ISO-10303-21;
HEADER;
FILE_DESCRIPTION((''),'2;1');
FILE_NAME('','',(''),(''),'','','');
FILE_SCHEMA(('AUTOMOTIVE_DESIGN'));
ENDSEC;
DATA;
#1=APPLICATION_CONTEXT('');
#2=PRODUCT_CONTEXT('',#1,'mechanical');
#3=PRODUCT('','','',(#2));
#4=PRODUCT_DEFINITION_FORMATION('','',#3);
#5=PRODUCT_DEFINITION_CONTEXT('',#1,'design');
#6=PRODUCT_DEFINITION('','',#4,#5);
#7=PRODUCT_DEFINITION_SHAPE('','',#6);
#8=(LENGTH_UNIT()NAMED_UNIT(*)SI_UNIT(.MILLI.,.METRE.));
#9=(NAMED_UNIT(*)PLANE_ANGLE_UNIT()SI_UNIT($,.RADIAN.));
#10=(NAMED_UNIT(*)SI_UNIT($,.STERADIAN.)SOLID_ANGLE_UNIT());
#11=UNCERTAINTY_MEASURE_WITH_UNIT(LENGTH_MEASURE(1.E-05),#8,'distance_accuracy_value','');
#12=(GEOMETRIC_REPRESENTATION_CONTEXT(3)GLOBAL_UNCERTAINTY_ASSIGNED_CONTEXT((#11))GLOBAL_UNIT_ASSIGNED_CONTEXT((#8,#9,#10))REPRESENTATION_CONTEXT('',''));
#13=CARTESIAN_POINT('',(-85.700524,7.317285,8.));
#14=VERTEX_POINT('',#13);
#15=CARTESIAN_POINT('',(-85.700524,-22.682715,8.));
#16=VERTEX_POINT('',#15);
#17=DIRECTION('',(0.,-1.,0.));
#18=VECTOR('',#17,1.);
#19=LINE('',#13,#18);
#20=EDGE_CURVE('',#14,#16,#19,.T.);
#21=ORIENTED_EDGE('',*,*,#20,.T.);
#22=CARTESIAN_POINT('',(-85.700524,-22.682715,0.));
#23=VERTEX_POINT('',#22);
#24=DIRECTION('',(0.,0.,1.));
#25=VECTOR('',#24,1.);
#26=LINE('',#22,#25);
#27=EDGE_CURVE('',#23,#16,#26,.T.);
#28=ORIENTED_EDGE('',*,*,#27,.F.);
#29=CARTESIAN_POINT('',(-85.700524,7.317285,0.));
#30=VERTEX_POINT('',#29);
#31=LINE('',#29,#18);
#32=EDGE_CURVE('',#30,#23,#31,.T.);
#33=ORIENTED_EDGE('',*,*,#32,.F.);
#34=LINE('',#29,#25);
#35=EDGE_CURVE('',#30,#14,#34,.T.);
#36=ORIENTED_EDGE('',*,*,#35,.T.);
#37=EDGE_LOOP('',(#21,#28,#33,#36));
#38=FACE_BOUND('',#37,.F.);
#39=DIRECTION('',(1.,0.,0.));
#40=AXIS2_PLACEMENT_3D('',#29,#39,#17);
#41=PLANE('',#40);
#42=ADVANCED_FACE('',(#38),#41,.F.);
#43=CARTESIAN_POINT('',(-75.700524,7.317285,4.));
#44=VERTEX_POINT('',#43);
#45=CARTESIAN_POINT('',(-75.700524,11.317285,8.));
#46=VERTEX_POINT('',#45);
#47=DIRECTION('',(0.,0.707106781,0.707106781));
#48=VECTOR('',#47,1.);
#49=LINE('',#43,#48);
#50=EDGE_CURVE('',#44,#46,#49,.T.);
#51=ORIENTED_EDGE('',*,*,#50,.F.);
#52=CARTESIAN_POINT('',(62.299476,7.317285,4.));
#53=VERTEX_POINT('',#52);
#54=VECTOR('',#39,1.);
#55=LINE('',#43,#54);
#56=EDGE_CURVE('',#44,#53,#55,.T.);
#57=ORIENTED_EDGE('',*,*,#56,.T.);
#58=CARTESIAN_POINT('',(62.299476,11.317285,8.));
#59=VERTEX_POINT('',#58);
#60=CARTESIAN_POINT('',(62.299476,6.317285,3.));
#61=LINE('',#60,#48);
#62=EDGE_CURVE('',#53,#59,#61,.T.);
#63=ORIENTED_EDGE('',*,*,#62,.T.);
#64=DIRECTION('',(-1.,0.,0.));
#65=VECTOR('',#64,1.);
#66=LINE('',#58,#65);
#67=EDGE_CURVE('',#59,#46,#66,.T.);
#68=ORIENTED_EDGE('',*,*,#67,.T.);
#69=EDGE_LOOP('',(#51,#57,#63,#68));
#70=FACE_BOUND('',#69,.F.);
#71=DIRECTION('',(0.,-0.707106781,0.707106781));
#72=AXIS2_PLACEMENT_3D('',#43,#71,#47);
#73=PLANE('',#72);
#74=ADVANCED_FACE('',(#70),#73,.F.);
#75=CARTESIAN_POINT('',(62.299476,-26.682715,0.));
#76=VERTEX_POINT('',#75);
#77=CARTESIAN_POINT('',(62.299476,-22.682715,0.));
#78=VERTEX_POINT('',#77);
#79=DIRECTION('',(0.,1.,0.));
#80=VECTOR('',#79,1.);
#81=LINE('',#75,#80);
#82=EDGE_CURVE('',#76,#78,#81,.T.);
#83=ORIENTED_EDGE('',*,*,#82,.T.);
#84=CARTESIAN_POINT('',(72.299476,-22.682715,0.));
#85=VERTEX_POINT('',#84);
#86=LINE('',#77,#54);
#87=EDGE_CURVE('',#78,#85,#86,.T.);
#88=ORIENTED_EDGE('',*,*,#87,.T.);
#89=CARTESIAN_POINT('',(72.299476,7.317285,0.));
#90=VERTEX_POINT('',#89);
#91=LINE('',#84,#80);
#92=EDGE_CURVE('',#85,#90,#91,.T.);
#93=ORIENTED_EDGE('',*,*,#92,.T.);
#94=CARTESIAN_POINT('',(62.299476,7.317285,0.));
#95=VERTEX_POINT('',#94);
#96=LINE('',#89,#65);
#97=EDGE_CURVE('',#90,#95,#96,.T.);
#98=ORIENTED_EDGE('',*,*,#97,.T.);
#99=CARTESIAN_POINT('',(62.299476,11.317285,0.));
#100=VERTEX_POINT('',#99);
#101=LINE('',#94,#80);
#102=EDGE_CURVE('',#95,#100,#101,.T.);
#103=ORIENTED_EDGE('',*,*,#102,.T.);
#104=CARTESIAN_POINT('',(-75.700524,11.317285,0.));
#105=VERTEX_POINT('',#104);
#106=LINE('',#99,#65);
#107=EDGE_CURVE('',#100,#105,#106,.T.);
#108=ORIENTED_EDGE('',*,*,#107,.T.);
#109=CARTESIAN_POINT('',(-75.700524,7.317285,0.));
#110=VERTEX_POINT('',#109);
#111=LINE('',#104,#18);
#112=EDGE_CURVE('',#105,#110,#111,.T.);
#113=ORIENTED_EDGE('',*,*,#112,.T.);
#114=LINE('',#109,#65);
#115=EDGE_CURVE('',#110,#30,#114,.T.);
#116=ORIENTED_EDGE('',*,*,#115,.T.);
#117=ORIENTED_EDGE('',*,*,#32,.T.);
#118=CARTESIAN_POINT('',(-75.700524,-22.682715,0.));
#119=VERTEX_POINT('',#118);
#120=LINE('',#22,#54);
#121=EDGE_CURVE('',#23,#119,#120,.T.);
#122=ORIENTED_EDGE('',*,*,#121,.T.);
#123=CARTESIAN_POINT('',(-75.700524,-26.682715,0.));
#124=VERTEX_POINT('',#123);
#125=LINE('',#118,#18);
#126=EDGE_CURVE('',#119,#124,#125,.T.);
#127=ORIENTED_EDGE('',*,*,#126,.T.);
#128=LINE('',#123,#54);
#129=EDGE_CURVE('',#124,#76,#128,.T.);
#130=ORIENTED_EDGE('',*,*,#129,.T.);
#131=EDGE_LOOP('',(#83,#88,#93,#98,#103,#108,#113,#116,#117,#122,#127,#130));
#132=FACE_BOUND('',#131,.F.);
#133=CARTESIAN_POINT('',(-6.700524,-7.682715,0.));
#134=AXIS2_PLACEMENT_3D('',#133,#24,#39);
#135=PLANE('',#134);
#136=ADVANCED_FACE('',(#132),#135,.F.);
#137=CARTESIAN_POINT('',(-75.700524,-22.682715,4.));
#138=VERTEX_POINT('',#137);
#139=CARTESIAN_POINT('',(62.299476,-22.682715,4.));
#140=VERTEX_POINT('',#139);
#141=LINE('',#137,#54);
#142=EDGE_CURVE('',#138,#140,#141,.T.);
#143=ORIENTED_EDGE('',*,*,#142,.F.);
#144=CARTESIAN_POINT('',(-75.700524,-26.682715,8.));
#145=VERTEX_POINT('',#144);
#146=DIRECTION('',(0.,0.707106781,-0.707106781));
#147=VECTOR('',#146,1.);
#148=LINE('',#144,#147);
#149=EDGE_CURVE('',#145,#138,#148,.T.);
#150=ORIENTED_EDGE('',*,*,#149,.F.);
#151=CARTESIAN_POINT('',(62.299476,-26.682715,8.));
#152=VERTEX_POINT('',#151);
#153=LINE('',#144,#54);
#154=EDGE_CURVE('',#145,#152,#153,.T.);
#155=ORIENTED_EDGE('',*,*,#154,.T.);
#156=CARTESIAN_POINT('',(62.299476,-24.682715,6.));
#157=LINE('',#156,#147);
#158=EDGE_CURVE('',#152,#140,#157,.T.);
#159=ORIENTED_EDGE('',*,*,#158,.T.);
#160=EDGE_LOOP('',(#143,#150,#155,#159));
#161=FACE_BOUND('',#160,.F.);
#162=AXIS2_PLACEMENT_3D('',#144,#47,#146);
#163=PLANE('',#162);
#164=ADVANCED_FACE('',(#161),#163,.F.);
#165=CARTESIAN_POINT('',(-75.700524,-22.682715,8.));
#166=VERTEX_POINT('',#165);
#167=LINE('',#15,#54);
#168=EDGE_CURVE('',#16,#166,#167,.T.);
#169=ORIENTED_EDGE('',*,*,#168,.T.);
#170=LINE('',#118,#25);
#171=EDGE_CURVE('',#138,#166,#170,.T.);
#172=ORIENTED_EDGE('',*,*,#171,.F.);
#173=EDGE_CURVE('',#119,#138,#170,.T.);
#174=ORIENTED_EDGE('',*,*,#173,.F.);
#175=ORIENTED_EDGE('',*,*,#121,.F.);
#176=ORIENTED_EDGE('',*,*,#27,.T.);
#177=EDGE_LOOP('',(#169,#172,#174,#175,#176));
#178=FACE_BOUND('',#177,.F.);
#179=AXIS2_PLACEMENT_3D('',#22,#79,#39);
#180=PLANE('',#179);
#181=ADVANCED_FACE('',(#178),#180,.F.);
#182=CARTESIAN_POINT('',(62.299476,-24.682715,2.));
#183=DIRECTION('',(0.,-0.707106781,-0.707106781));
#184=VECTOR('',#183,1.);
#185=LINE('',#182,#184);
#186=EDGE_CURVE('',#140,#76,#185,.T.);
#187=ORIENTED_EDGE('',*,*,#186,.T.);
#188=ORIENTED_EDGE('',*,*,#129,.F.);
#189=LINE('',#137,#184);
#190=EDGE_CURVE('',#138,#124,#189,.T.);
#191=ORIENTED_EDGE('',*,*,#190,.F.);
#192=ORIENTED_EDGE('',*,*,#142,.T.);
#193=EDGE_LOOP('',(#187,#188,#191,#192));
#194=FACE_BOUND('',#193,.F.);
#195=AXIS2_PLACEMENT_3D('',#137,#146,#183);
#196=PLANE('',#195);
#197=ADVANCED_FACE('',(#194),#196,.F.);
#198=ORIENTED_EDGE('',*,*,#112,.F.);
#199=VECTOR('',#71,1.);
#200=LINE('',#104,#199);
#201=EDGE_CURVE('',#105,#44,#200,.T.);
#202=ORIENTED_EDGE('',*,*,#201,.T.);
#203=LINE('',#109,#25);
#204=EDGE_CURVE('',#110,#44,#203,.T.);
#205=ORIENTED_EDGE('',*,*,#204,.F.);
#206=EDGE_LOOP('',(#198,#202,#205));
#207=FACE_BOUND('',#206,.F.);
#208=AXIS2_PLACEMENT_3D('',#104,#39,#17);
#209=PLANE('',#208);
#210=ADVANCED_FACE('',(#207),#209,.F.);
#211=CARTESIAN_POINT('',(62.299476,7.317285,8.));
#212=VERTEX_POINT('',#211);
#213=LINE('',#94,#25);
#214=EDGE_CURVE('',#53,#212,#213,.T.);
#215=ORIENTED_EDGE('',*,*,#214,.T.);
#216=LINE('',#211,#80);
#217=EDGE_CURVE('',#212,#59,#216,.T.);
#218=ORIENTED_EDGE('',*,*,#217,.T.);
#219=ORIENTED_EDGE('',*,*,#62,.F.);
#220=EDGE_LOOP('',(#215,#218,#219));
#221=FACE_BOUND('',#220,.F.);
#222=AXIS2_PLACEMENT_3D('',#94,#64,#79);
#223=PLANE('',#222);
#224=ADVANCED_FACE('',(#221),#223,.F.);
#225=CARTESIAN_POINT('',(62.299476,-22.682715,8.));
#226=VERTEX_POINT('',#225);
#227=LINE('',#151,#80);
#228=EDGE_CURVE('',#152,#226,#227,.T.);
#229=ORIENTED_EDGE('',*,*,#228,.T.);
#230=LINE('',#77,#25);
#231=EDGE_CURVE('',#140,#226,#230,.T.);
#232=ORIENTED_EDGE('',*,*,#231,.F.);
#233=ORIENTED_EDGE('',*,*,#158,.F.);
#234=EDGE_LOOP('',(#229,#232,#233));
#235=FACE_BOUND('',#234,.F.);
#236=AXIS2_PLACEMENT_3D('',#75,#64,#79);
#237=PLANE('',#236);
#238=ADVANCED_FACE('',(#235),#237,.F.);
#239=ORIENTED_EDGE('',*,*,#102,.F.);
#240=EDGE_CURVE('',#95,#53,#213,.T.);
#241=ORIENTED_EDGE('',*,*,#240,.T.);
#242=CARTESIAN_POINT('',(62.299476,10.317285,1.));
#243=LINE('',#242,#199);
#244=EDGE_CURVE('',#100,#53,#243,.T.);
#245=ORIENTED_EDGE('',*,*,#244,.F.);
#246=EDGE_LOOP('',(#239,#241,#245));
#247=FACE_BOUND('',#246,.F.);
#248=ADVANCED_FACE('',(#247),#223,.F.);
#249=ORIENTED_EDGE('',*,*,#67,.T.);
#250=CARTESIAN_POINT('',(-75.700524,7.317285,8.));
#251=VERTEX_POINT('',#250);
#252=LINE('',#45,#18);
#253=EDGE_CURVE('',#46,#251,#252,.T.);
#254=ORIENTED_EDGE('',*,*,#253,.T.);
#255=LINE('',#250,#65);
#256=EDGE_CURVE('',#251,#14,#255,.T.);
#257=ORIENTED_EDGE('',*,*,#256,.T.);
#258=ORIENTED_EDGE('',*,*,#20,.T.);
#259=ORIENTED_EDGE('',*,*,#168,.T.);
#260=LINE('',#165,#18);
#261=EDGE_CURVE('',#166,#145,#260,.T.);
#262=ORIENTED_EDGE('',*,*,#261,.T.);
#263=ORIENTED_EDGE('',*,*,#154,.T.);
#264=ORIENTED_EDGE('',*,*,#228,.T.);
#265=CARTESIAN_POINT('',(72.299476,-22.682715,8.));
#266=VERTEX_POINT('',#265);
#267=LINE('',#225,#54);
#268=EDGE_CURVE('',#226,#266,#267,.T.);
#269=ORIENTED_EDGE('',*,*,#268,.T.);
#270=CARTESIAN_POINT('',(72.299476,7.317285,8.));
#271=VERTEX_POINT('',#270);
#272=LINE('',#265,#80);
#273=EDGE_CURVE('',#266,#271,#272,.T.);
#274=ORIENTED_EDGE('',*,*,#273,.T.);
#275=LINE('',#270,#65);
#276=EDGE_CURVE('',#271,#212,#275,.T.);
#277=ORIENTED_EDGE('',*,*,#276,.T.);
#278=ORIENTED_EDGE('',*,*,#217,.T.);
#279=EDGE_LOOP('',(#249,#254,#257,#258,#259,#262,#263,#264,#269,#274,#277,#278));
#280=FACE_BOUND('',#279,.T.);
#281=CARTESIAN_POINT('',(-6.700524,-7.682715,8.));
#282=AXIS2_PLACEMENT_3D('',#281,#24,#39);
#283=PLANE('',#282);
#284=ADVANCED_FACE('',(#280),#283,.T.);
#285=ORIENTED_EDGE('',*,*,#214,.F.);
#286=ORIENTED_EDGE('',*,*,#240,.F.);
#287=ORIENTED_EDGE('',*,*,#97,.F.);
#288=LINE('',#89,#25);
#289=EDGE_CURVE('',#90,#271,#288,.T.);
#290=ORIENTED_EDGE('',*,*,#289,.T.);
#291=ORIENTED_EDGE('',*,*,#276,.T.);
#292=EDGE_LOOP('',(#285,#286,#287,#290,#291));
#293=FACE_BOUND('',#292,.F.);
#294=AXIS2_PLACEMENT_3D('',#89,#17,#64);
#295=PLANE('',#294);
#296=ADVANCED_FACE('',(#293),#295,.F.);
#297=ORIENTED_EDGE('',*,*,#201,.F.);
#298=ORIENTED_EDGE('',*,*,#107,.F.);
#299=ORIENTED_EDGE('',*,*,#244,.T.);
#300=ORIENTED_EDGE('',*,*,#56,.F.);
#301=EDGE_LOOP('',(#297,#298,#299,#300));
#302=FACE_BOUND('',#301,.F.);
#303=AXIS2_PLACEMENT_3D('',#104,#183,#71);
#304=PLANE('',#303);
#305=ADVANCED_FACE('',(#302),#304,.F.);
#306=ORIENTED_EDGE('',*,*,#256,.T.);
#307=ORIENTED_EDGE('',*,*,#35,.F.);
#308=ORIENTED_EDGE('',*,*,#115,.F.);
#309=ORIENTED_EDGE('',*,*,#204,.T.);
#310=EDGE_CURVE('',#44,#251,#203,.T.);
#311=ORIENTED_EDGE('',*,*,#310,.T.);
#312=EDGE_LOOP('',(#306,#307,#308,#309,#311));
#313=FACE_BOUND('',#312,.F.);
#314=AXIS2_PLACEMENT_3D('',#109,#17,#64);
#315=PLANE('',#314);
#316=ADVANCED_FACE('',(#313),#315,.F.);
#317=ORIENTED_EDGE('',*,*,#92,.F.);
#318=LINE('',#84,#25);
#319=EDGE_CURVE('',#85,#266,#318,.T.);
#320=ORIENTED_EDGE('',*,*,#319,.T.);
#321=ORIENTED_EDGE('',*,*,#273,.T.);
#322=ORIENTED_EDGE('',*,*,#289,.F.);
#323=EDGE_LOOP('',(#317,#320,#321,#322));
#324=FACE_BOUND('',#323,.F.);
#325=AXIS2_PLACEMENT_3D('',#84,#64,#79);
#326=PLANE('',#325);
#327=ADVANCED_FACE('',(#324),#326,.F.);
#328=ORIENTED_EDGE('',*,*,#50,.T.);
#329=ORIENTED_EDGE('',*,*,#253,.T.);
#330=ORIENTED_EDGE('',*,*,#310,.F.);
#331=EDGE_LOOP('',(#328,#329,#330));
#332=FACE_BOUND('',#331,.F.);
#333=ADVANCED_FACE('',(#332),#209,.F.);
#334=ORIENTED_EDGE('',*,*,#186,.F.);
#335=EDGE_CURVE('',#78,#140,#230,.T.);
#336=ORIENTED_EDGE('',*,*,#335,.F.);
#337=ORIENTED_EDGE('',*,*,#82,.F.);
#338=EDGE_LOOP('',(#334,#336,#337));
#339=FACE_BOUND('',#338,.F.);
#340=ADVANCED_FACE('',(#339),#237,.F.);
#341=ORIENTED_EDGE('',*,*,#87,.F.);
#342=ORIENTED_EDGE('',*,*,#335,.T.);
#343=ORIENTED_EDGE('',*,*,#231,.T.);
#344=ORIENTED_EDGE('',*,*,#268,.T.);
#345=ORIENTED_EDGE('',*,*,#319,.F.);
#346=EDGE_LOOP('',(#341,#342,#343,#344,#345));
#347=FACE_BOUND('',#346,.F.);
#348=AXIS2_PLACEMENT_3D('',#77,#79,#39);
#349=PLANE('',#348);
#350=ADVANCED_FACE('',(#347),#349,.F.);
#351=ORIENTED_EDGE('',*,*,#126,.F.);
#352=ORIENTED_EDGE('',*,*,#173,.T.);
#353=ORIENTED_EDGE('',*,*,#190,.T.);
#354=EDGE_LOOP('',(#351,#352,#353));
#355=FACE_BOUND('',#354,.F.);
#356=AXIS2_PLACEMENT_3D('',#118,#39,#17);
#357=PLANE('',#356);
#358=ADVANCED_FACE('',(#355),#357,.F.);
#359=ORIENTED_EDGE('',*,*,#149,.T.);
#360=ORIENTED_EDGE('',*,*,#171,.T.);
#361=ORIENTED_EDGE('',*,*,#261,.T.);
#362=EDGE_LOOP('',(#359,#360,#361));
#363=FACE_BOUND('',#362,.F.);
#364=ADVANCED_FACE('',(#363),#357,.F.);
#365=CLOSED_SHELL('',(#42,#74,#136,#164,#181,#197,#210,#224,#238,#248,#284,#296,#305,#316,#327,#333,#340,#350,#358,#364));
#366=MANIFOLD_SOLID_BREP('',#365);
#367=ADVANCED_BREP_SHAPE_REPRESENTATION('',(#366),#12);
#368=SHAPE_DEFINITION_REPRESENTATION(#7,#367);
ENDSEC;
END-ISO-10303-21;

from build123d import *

# Parameters (mm, degrees)
F1_DEPTH = 8
F4_DEPTH = 148.001


with BuildPart() as f1:
    # F0 (on Top) → F1 (new body)
    with BuildSketch(Plane.XY):
        Polygon((-75.700524, 7.317285), (-85.700524, 7.317285), (-85.700524, -22.682715), (-75.700524, -22.682715), (-75.700524, -26.682715), (62.299476, -26.682715), (62.299476, -22.682715), (72.299476, -22.682715), (72.299476, 7.317285), (62.299476, 7.317285), (62.299476, 11.317285), (-75.700524, 11.317285), align=None)
    extrude(amount=F1_DEPTH)

    # F2 (on face) + F3 (on face) → F4 (cut, through all)
    with BuildSketch(Plane(origin=(-75.700524, 0, 0), x_dir=(0, -1, 0), z_dir=(-1, 0, 0))):
        Polygon((22.682715, 4), (26.682715, 0), (26.682715, 8), align=None)
    with BuildSketch(Plane(origin=(-75.700524, 0, 0), x_dir=(0, -1, 0), z_dir=(-1, 0, 0))):
        Polygon((-7.317285, 4), (-11.317285, 8), (-11.317285, 0), align=None)
    extrude(amount=-F4_DEPTH, mode=Mode.SUBTRACT)


solid = f1.part
